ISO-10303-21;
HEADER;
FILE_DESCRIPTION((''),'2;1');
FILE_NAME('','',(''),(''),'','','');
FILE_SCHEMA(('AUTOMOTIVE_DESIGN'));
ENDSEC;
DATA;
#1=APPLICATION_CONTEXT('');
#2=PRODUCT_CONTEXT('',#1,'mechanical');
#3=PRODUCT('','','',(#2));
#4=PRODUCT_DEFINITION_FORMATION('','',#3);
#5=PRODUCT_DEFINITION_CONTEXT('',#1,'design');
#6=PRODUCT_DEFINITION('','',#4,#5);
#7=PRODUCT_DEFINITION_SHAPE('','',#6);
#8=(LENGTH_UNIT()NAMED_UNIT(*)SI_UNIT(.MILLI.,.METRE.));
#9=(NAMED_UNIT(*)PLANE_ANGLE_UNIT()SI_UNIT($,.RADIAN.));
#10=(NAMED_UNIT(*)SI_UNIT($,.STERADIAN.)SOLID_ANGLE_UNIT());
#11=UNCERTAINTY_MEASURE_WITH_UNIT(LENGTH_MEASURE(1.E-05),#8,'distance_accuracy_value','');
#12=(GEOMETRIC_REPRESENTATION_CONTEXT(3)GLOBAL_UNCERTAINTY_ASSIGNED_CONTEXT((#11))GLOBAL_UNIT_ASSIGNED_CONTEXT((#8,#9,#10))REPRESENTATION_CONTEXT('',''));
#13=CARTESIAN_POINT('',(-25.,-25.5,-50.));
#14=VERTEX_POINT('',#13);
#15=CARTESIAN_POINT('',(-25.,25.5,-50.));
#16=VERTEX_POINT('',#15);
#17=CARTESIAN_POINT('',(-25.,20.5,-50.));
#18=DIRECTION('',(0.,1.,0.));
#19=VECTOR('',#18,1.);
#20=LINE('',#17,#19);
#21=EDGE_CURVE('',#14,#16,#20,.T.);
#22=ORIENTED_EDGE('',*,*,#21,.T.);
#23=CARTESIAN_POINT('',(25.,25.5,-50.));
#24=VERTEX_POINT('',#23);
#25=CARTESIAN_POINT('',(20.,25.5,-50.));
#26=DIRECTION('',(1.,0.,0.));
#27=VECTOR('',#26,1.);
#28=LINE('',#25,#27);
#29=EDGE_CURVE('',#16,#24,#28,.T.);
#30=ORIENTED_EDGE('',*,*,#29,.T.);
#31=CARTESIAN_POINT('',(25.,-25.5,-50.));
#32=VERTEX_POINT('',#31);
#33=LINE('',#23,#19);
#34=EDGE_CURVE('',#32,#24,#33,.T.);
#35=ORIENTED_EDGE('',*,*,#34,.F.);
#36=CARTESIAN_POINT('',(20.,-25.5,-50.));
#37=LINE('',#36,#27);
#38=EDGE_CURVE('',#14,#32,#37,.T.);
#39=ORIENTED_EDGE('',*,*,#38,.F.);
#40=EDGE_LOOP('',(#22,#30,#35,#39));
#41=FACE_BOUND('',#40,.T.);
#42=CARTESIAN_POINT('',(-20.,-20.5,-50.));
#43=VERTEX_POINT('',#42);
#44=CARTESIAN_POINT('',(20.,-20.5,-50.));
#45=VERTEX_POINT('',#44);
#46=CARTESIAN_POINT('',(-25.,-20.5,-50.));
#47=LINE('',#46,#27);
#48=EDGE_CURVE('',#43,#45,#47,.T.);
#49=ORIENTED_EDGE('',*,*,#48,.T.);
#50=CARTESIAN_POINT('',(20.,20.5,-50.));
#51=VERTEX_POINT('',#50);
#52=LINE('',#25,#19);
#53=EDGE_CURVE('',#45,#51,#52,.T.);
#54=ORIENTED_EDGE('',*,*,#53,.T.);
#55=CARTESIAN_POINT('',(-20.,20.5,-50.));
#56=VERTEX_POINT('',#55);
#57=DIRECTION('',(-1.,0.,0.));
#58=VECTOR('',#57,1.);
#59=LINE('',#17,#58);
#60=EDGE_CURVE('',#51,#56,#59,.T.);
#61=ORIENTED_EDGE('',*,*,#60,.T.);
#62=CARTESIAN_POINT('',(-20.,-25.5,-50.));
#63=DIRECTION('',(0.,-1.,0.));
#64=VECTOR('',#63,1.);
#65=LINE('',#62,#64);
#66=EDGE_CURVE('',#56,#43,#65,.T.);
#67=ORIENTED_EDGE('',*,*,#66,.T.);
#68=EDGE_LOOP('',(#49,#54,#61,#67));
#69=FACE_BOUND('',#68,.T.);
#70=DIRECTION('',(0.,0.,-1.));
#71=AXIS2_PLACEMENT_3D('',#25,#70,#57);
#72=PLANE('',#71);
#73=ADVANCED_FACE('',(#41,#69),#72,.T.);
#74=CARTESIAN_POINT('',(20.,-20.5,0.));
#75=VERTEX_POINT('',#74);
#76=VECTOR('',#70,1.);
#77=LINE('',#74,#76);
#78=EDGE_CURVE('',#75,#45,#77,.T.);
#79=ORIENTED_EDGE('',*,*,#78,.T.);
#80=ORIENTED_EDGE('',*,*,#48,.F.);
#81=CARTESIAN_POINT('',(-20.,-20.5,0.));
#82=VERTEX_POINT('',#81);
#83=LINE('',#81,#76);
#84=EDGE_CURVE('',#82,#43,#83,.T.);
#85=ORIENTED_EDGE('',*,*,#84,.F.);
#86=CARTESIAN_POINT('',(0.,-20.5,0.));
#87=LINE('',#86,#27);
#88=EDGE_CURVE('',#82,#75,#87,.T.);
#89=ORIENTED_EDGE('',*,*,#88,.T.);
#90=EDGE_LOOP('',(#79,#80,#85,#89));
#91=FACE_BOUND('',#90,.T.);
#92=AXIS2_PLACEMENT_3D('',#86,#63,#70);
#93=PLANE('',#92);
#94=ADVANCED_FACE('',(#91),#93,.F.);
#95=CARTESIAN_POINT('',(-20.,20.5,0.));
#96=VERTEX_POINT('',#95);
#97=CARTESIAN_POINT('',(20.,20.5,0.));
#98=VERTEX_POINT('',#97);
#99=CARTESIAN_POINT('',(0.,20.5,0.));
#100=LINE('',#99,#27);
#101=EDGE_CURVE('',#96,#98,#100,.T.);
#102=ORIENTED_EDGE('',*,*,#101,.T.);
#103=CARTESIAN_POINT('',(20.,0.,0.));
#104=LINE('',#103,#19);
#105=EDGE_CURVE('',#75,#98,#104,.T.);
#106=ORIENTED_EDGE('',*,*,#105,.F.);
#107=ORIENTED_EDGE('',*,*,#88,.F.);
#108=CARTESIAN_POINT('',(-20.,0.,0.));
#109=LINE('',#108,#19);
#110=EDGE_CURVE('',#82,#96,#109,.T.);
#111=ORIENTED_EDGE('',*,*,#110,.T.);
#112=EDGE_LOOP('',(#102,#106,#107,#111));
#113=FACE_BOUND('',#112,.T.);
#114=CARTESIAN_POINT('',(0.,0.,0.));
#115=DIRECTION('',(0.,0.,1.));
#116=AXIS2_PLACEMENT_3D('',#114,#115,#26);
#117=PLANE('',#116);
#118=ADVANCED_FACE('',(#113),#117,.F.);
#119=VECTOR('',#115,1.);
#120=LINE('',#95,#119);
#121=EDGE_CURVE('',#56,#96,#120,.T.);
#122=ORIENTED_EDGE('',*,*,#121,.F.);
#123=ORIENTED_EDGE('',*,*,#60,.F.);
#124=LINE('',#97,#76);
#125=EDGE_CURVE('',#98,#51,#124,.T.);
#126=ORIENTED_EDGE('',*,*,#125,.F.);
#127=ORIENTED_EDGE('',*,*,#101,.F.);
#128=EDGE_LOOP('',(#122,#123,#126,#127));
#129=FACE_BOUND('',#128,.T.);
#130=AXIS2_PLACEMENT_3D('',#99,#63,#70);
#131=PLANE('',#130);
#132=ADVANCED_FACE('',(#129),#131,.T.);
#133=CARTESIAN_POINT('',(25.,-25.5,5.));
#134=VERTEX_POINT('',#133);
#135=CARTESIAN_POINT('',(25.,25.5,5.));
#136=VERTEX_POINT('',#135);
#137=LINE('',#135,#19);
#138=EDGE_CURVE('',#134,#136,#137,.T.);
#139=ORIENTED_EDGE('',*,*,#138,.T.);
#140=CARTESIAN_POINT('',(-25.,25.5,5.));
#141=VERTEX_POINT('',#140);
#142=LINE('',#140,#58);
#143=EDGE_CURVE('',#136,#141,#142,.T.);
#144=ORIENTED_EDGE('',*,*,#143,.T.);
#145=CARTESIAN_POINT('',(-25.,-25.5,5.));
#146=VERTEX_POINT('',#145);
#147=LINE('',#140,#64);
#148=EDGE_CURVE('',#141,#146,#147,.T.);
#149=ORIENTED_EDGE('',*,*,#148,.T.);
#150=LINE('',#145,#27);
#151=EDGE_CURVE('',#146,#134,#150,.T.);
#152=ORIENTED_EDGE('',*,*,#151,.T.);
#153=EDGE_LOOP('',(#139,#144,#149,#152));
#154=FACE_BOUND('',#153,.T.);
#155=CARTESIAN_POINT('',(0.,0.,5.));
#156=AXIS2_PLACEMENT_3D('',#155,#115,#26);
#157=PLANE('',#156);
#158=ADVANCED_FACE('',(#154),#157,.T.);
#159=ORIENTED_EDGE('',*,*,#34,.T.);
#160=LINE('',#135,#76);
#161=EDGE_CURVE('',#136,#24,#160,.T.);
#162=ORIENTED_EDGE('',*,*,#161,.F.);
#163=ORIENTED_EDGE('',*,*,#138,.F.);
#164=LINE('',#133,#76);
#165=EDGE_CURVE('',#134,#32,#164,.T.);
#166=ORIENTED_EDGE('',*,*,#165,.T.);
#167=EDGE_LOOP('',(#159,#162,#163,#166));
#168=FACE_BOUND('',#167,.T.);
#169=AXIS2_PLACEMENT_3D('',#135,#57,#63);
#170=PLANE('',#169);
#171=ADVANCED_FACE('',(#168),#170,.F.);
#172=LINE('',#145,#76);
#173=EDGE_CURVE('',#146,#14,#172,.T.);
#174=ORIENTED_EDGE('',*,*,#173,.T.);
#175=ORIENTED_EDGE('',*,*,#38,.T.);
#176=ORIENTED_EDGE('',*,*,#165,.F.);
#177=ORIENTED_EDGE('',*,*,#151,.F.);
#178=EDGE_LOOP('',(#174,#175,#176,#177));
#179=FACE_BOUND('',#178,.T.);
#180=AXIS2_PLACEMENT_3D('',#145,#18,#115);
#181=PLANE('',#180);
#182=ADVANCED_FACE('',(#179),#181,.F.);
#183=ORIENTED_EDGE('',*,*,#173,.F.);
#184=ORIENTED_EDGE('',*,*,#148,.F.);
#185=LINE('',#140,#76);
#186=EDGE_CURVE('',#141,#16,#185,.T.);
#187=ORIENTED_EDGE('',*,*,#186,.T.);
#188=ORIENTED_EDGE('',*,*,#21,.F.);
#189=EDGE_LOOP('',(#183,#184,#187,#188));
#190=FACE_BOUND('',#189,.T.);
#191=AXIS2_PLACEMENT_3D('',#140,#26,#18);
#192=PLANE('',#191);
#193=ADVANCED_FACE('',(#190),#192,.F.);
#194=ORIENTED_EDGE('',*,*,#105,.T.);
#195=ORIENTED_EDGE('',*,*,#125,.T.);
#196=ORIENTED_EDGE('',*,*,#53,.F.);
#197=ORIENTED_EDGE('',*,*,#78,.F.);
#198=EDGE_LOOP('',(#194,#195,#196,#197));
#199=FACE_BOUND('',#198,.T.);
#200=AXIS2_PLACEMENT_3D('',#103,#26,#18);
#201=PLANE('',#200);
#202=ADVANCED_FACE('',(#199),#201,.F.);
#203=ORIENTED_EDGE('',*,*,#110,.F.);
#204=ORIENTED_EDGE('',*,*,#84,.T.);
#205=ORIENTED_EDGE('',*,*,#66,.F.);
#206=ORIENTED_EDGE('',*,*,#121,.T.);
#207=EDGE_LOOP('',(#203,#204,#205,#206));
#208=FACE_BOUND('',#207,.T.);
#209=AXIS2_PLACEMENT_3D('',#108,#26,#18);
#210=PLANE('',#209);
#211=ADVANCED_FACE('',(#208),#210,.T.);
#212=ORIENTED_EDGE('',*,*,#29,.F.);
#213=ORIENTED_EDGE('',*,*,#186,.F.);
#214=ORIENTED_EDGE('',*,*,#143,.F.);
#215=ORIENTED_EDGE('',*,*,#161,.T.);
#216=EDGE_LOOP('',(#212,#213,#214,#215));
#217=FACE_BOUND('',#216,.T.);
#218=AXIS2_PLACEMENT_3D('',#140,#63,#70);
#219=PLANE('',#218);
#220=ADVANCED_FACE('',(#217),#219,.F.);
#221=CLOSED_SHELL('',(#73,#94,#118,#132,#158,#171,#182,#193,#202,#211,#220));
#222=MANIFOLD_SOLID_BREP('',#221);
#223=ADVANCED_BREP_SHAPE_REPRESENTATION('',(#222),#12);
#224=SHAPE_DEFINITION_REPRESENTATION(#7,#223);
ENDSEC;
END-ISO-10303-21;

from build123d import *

# Parameters (mm, degrees)
SKETCH1_W           = 50
SKETCH1_H           = 51
BOSS_EXTRUDE2_DEPTH = 5
BOSS_EXTRUDE3_DEPTH = 5
SKETCH8_W           = 50
SKETCH8_H           = 55
BOSS_EXTRUDE4_DEPTH = 5
SKETCH13_W          = 55
SKETCH13_H          = 51
BOSS_EXTRUDE5_DEPTH = 5
SKETCH14_W          = 50
SKETCH14_H          = 55
BOSS_EXTRUDE6_DEPTH = 5


with BuildPart() as part:
    # Sketch1 → Boss-Extrude2 (new body)
    with BuildSketch(Plane.XY):
        Rectangle(SKETCH1_W, SKETCH1_H)
    extrude(amount=BOSS_EXTRUDE2_DEPTH)

    # Sketch3 → Boss-Extrude3 (add)
    with BuildSketch(Plane(origin=(25, 0, 0), x_dir=(0, 0, -1), z_dir=(1, 0, 0))):
        Polygon((-5, 25.5), (50, 25.5), (50, -25.5), (0, -25.5), (-5, -25.5), align=None)
    extrude(amount=-BOSS_EXTRUDE3_DEPTH)

    # Sketch8 → Boss-Extrude4 (add)
    with BuildSketch(Plane(origin=(0, 25.5, 0), x_dir=(1, 0, 0), z_dir=(0, 1, 0))):
        with Locations((0, 22.5)):
            Rectangle(SKETCH8_W, SKETCH8_H)
    extrude(amount=-BOSS_EXTRUDE4_DEPTH)

    # Sketch13 → Boss-Extrude5 (add)
    with BuildSketch(Plane.ZY.offset(25)):
        with Locations((-22.5, 0)):
            Rectangle(SKETCH13_W, SKETCH13_H)
    extrude(amount=-BOSS_EXTRUDE5_DEPTH)

    # Sketch14 → Boss-Extrude6 (add)
    with BuildSketch(Plane.XZ.offset(25.5)):
        with Locations((0, -22.5)):
            Rectangle(SKETCH14_W, SKETCH14_H)
    extrude(amount=-BOSS_EXTRUDE6_DEPTH)


solid = part.part
